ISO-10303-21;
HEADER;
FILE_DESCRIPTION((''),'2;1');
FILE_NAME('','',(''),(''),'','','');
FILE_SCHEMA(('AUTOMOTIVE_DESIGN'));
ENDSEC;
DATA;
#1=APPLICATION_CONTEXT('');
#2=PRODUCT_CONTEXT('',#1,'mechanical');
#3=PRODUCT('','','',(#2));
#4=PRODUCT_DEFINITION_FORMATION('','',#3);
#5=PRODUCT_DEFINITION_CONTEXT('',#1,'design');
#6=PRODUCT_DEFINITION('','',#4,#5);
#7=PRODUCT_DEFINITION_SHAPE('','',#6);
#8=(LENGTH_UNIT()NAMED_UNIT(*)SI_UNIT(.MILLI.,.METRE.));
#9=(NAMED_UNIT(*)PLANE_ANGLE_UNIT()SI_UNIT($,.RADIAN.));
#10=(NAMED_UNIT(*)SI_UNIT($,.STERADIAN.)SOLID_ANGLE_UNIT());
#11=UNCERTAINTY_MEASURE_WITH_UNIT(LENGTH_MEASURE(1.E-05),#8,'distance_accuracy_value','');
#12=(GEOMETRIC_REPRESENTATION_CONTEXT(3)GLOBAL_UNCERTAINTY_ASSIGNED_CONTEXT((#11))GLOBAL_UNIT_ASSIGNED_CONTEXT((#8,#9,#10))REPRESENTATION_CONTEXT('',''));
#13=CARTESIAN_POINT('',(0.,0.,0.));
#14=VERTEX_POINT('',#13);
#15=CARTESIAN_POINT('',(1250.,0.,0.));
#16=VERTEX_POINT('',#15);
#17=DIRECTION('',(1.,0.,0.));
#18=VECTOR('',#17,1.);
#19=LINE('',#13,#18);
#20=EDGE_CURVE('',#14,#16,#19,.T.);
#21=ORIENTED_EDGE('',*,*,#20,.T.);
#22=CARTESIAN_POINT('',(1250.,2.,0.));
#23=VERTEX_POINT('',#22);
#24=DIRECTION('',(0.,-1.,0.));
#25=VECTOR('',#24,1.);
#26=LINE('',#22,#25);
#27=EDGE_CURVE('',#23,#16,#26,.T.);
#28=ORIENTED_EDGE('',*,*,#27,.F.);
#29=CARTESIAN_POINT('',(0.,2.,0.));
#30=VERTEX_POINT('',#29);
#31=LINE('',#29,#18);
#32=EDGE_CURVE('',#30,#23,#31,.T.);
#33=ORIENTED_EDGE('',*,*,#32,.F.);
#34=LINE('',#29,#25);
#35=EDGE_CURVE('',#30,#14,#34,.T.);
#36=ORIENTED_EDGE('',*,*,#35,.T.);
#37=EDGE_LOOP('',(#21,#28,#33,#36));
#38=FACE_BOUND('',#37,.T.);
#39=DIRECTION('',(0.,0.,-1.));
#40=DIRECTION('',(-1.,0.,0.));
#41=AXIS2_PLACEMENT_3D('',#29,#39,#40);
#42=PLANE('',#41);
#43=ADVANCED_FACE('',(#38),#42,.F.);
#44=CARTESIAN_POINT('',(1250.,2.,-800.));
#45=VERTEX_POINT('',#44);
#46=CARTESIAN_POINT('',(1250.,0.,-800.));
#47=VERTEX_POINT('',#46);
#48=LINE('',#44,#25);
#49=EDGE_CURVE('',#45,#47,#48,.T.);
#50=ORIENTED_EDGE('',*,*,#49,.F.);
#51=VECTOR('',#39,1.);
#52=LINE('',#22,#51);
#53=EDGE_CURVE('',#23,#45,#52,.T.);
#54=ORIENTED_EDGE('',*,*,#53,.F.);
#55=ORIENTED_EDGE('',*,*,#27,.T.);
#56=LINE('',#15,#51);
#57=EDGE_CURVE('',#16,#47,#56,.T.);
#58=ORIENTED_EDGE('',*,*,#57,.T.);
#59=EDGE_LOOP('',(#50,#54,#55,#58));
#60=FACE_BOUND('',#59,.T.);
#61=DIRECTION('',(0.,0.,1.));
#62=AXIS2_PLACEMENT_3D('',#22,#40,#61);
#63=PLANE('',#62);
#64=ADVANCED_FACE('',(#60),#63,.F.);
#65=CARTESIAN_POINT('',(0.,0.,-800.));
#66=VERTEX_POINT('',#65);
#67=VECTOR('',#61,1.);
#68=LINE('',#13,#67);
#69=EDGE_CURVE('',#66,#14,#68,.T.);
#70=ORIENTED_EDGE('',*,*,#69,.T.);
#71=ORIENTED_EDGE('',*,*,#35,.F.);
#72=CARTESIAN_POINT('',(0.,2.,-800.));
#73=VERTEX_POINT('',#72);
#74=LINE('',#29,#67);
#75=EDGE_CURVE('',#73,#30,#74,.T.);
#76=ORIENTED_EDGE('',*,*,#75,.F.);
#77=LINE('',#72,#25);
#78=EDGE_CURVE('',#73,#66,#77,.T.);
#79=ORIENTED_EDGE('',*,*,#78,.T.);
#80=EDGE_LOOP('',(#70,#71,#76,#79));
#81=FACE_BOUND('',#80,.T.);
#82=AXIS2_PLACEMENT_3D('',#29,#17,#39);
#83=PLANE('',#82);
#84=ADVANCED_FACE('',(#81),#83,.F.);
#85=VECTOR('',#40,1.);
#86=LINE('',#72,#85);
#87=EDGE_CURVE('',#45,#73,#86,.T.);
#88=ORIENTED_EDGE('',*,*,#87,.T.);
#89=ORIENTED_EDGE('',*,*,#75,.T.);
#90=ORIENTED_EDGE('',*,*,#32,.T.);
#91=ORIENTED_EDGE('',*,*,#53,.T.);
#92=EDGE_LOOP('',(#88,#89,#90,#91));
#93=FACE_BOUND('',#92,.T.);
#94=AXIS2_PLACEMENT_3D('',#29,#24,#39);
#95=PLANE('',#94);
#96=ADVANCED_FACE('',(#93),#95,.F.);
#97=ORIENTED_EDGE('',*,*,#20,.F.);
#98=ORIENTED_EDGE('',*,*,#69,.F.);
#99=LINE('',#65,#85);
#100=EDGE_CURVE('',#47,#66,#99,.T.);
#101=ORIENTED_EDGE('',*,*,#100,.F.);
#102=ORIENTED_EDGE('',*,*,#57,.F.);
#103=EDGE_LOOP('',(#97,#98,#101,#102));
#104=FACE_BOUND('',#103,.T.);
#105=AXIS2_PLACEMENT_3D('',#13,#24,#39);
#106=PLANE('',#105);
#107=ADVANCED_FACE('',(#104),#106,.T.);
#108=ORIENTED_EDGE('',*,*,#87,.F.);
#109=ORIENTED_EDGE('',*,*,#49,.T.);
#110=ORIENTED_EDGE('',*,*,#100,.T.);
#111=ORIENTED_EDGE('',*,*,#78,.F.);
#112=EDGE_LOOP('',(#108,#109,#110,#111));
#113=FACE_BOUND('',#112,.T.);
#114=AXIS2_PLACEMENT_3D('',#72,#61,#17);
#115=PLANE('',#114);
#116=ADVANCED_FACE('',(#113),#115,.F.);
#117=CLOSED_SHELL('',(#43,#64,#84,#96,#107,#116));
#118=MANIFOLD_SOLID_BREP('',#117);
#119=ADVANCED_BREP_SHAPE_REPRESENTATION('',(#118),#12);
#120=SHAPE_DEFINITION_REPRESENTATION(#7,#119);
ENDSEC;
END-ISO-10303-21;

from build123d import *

# Parameters (mm, degrees)
MASTER_FOOTPRINT_W    = 1250
MASTER_FOOTPRINT_H    = 800
BATH_BASE_PLATE_DEPTH = 2


with BuildPart() as part:
    # MASTER_FOOTPRINT → BATH_BASE_PLATE (new body)
    with BuildSketch(Plane(origin=(0, 0, 0), x_dir=(1, 0, 0), z_dir=(0, 1, 0))):
        with Locations((625, 400)):
            Rectangle(MASTER_FOOTPRINT_W, MASTER_FOOTPRINT_H)
    extrude(amount=BATH_BASE_PLATE_DEPTH)


solid = part.part
